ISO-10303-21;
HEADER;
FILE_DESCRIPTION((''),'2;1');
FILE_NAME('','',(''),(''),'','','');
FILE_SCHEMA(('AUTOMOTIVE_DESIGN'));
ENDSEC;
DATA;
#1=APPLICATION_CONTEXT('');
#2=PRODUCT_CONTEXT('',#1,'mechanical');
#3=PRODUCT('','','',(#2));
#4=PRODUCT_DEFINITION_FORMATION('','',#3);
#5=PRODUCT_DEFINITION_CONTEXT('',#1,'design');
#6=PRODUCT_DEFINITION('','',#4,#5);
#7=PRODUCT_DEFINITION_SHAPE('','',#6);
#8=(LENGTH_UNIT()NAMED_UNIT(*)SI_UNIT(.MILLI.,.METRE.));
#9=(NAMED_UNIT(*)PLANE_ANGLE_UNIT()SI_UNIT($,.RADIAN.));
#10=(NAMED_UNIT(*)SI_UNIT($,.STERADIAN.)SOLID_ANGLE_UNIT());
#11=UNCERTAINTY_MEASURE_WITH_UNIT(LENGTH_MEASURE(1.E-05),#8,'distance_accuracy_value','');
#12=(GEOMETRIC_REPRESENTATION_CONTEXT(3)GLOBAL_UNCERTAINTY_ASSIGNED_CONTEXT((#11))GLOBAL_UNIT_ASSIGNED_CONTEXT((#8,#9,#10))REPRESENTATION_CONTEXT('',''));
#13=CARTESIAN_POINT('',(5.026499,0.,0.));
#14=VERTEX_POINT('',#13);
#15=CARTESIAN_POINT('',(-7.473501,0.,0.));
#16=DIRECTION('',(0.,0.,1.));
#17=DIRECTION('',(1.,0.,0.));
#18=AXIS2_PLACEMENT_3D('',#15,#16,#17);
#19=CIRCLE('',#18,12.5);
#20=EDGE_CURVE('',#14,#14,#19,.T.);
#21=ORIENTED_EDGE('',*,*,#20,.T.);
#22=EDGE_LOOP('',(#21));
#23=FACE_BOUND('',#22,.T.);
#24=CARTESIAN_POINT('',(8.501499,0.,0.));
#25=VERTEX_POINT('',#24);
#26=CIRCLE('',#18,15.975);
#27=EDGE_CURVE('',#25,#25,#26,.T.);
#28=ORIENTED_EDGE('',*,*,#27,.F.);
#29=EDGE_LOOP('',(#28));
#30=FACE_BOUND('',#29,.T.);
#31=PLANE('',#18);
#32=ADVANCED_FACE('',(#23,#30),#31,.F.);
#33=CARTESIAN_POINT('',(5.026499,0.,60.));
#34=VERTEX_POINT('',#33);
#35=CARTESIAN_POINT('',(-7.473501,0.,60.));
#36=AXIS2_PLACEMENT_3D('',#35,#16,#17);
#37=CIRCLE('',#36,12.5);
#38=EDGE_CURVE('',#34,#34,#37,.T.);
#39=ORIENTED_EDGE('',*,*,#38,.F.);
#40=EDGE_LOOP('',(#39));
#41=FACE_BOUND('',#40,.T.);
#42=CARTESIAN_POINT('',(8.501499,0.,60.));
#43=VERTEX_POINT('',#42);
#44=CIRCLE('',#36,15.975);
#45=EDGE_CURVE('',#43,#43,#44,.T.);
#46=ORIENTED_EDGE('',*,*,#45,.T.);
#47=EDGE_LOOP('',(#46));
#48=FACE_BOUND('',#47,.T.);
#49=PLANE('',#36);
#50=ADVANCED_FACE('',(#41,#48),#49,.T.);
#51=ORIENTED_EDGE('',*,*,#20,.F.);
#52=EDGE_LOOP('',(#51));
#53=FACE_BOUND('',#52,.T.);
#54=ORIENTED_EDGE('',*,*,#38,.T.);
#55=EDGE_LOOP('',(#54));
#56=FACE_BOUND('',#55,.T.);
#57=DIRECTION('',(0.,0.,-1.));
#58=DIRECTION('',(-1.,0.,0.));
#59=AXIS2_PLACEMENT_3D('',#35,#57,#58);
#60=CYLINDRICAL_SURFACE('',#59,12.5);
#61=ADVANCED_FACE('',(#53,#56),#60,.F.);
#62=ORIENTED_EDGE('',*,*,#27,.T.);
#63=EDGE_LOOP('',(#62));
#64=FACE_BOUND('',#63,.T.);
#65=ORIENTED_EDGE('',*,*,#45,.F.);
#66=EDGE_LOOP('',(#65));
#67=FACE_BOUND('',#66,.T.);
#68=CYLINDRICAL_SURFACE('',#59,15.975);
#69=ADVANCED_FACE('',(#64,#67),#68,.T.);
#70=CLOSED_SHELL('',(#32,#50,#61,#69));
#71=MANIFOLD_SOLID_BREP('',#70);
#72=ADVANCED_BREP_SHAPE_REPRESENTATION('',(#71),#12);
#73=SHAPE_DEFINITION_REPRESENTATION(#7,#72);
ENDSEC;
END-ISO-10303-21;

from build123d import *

# Parameters (mm, degrees)
SKETCH1_R           = 15.975
SKETCH1_R_2         = 12.5
BOSS_EXTRUDE1_DEPTH = 60


with BuildPart() as part:
    # Sketch1 → Boss-Extrude1 (new body)
    with BuildSketch(Plane.XY):
        with Locations((-7.473500512, 0)):
            Circle(SKETCH1_R)
        with Locations((-7.473500512, 0)):
            Circle(SKETCH1_R_2, mode=Mode.SUBTRACT)
    extrude(amount=BOSS_EXTRUDE1_DEPTH)


solid = part.part
